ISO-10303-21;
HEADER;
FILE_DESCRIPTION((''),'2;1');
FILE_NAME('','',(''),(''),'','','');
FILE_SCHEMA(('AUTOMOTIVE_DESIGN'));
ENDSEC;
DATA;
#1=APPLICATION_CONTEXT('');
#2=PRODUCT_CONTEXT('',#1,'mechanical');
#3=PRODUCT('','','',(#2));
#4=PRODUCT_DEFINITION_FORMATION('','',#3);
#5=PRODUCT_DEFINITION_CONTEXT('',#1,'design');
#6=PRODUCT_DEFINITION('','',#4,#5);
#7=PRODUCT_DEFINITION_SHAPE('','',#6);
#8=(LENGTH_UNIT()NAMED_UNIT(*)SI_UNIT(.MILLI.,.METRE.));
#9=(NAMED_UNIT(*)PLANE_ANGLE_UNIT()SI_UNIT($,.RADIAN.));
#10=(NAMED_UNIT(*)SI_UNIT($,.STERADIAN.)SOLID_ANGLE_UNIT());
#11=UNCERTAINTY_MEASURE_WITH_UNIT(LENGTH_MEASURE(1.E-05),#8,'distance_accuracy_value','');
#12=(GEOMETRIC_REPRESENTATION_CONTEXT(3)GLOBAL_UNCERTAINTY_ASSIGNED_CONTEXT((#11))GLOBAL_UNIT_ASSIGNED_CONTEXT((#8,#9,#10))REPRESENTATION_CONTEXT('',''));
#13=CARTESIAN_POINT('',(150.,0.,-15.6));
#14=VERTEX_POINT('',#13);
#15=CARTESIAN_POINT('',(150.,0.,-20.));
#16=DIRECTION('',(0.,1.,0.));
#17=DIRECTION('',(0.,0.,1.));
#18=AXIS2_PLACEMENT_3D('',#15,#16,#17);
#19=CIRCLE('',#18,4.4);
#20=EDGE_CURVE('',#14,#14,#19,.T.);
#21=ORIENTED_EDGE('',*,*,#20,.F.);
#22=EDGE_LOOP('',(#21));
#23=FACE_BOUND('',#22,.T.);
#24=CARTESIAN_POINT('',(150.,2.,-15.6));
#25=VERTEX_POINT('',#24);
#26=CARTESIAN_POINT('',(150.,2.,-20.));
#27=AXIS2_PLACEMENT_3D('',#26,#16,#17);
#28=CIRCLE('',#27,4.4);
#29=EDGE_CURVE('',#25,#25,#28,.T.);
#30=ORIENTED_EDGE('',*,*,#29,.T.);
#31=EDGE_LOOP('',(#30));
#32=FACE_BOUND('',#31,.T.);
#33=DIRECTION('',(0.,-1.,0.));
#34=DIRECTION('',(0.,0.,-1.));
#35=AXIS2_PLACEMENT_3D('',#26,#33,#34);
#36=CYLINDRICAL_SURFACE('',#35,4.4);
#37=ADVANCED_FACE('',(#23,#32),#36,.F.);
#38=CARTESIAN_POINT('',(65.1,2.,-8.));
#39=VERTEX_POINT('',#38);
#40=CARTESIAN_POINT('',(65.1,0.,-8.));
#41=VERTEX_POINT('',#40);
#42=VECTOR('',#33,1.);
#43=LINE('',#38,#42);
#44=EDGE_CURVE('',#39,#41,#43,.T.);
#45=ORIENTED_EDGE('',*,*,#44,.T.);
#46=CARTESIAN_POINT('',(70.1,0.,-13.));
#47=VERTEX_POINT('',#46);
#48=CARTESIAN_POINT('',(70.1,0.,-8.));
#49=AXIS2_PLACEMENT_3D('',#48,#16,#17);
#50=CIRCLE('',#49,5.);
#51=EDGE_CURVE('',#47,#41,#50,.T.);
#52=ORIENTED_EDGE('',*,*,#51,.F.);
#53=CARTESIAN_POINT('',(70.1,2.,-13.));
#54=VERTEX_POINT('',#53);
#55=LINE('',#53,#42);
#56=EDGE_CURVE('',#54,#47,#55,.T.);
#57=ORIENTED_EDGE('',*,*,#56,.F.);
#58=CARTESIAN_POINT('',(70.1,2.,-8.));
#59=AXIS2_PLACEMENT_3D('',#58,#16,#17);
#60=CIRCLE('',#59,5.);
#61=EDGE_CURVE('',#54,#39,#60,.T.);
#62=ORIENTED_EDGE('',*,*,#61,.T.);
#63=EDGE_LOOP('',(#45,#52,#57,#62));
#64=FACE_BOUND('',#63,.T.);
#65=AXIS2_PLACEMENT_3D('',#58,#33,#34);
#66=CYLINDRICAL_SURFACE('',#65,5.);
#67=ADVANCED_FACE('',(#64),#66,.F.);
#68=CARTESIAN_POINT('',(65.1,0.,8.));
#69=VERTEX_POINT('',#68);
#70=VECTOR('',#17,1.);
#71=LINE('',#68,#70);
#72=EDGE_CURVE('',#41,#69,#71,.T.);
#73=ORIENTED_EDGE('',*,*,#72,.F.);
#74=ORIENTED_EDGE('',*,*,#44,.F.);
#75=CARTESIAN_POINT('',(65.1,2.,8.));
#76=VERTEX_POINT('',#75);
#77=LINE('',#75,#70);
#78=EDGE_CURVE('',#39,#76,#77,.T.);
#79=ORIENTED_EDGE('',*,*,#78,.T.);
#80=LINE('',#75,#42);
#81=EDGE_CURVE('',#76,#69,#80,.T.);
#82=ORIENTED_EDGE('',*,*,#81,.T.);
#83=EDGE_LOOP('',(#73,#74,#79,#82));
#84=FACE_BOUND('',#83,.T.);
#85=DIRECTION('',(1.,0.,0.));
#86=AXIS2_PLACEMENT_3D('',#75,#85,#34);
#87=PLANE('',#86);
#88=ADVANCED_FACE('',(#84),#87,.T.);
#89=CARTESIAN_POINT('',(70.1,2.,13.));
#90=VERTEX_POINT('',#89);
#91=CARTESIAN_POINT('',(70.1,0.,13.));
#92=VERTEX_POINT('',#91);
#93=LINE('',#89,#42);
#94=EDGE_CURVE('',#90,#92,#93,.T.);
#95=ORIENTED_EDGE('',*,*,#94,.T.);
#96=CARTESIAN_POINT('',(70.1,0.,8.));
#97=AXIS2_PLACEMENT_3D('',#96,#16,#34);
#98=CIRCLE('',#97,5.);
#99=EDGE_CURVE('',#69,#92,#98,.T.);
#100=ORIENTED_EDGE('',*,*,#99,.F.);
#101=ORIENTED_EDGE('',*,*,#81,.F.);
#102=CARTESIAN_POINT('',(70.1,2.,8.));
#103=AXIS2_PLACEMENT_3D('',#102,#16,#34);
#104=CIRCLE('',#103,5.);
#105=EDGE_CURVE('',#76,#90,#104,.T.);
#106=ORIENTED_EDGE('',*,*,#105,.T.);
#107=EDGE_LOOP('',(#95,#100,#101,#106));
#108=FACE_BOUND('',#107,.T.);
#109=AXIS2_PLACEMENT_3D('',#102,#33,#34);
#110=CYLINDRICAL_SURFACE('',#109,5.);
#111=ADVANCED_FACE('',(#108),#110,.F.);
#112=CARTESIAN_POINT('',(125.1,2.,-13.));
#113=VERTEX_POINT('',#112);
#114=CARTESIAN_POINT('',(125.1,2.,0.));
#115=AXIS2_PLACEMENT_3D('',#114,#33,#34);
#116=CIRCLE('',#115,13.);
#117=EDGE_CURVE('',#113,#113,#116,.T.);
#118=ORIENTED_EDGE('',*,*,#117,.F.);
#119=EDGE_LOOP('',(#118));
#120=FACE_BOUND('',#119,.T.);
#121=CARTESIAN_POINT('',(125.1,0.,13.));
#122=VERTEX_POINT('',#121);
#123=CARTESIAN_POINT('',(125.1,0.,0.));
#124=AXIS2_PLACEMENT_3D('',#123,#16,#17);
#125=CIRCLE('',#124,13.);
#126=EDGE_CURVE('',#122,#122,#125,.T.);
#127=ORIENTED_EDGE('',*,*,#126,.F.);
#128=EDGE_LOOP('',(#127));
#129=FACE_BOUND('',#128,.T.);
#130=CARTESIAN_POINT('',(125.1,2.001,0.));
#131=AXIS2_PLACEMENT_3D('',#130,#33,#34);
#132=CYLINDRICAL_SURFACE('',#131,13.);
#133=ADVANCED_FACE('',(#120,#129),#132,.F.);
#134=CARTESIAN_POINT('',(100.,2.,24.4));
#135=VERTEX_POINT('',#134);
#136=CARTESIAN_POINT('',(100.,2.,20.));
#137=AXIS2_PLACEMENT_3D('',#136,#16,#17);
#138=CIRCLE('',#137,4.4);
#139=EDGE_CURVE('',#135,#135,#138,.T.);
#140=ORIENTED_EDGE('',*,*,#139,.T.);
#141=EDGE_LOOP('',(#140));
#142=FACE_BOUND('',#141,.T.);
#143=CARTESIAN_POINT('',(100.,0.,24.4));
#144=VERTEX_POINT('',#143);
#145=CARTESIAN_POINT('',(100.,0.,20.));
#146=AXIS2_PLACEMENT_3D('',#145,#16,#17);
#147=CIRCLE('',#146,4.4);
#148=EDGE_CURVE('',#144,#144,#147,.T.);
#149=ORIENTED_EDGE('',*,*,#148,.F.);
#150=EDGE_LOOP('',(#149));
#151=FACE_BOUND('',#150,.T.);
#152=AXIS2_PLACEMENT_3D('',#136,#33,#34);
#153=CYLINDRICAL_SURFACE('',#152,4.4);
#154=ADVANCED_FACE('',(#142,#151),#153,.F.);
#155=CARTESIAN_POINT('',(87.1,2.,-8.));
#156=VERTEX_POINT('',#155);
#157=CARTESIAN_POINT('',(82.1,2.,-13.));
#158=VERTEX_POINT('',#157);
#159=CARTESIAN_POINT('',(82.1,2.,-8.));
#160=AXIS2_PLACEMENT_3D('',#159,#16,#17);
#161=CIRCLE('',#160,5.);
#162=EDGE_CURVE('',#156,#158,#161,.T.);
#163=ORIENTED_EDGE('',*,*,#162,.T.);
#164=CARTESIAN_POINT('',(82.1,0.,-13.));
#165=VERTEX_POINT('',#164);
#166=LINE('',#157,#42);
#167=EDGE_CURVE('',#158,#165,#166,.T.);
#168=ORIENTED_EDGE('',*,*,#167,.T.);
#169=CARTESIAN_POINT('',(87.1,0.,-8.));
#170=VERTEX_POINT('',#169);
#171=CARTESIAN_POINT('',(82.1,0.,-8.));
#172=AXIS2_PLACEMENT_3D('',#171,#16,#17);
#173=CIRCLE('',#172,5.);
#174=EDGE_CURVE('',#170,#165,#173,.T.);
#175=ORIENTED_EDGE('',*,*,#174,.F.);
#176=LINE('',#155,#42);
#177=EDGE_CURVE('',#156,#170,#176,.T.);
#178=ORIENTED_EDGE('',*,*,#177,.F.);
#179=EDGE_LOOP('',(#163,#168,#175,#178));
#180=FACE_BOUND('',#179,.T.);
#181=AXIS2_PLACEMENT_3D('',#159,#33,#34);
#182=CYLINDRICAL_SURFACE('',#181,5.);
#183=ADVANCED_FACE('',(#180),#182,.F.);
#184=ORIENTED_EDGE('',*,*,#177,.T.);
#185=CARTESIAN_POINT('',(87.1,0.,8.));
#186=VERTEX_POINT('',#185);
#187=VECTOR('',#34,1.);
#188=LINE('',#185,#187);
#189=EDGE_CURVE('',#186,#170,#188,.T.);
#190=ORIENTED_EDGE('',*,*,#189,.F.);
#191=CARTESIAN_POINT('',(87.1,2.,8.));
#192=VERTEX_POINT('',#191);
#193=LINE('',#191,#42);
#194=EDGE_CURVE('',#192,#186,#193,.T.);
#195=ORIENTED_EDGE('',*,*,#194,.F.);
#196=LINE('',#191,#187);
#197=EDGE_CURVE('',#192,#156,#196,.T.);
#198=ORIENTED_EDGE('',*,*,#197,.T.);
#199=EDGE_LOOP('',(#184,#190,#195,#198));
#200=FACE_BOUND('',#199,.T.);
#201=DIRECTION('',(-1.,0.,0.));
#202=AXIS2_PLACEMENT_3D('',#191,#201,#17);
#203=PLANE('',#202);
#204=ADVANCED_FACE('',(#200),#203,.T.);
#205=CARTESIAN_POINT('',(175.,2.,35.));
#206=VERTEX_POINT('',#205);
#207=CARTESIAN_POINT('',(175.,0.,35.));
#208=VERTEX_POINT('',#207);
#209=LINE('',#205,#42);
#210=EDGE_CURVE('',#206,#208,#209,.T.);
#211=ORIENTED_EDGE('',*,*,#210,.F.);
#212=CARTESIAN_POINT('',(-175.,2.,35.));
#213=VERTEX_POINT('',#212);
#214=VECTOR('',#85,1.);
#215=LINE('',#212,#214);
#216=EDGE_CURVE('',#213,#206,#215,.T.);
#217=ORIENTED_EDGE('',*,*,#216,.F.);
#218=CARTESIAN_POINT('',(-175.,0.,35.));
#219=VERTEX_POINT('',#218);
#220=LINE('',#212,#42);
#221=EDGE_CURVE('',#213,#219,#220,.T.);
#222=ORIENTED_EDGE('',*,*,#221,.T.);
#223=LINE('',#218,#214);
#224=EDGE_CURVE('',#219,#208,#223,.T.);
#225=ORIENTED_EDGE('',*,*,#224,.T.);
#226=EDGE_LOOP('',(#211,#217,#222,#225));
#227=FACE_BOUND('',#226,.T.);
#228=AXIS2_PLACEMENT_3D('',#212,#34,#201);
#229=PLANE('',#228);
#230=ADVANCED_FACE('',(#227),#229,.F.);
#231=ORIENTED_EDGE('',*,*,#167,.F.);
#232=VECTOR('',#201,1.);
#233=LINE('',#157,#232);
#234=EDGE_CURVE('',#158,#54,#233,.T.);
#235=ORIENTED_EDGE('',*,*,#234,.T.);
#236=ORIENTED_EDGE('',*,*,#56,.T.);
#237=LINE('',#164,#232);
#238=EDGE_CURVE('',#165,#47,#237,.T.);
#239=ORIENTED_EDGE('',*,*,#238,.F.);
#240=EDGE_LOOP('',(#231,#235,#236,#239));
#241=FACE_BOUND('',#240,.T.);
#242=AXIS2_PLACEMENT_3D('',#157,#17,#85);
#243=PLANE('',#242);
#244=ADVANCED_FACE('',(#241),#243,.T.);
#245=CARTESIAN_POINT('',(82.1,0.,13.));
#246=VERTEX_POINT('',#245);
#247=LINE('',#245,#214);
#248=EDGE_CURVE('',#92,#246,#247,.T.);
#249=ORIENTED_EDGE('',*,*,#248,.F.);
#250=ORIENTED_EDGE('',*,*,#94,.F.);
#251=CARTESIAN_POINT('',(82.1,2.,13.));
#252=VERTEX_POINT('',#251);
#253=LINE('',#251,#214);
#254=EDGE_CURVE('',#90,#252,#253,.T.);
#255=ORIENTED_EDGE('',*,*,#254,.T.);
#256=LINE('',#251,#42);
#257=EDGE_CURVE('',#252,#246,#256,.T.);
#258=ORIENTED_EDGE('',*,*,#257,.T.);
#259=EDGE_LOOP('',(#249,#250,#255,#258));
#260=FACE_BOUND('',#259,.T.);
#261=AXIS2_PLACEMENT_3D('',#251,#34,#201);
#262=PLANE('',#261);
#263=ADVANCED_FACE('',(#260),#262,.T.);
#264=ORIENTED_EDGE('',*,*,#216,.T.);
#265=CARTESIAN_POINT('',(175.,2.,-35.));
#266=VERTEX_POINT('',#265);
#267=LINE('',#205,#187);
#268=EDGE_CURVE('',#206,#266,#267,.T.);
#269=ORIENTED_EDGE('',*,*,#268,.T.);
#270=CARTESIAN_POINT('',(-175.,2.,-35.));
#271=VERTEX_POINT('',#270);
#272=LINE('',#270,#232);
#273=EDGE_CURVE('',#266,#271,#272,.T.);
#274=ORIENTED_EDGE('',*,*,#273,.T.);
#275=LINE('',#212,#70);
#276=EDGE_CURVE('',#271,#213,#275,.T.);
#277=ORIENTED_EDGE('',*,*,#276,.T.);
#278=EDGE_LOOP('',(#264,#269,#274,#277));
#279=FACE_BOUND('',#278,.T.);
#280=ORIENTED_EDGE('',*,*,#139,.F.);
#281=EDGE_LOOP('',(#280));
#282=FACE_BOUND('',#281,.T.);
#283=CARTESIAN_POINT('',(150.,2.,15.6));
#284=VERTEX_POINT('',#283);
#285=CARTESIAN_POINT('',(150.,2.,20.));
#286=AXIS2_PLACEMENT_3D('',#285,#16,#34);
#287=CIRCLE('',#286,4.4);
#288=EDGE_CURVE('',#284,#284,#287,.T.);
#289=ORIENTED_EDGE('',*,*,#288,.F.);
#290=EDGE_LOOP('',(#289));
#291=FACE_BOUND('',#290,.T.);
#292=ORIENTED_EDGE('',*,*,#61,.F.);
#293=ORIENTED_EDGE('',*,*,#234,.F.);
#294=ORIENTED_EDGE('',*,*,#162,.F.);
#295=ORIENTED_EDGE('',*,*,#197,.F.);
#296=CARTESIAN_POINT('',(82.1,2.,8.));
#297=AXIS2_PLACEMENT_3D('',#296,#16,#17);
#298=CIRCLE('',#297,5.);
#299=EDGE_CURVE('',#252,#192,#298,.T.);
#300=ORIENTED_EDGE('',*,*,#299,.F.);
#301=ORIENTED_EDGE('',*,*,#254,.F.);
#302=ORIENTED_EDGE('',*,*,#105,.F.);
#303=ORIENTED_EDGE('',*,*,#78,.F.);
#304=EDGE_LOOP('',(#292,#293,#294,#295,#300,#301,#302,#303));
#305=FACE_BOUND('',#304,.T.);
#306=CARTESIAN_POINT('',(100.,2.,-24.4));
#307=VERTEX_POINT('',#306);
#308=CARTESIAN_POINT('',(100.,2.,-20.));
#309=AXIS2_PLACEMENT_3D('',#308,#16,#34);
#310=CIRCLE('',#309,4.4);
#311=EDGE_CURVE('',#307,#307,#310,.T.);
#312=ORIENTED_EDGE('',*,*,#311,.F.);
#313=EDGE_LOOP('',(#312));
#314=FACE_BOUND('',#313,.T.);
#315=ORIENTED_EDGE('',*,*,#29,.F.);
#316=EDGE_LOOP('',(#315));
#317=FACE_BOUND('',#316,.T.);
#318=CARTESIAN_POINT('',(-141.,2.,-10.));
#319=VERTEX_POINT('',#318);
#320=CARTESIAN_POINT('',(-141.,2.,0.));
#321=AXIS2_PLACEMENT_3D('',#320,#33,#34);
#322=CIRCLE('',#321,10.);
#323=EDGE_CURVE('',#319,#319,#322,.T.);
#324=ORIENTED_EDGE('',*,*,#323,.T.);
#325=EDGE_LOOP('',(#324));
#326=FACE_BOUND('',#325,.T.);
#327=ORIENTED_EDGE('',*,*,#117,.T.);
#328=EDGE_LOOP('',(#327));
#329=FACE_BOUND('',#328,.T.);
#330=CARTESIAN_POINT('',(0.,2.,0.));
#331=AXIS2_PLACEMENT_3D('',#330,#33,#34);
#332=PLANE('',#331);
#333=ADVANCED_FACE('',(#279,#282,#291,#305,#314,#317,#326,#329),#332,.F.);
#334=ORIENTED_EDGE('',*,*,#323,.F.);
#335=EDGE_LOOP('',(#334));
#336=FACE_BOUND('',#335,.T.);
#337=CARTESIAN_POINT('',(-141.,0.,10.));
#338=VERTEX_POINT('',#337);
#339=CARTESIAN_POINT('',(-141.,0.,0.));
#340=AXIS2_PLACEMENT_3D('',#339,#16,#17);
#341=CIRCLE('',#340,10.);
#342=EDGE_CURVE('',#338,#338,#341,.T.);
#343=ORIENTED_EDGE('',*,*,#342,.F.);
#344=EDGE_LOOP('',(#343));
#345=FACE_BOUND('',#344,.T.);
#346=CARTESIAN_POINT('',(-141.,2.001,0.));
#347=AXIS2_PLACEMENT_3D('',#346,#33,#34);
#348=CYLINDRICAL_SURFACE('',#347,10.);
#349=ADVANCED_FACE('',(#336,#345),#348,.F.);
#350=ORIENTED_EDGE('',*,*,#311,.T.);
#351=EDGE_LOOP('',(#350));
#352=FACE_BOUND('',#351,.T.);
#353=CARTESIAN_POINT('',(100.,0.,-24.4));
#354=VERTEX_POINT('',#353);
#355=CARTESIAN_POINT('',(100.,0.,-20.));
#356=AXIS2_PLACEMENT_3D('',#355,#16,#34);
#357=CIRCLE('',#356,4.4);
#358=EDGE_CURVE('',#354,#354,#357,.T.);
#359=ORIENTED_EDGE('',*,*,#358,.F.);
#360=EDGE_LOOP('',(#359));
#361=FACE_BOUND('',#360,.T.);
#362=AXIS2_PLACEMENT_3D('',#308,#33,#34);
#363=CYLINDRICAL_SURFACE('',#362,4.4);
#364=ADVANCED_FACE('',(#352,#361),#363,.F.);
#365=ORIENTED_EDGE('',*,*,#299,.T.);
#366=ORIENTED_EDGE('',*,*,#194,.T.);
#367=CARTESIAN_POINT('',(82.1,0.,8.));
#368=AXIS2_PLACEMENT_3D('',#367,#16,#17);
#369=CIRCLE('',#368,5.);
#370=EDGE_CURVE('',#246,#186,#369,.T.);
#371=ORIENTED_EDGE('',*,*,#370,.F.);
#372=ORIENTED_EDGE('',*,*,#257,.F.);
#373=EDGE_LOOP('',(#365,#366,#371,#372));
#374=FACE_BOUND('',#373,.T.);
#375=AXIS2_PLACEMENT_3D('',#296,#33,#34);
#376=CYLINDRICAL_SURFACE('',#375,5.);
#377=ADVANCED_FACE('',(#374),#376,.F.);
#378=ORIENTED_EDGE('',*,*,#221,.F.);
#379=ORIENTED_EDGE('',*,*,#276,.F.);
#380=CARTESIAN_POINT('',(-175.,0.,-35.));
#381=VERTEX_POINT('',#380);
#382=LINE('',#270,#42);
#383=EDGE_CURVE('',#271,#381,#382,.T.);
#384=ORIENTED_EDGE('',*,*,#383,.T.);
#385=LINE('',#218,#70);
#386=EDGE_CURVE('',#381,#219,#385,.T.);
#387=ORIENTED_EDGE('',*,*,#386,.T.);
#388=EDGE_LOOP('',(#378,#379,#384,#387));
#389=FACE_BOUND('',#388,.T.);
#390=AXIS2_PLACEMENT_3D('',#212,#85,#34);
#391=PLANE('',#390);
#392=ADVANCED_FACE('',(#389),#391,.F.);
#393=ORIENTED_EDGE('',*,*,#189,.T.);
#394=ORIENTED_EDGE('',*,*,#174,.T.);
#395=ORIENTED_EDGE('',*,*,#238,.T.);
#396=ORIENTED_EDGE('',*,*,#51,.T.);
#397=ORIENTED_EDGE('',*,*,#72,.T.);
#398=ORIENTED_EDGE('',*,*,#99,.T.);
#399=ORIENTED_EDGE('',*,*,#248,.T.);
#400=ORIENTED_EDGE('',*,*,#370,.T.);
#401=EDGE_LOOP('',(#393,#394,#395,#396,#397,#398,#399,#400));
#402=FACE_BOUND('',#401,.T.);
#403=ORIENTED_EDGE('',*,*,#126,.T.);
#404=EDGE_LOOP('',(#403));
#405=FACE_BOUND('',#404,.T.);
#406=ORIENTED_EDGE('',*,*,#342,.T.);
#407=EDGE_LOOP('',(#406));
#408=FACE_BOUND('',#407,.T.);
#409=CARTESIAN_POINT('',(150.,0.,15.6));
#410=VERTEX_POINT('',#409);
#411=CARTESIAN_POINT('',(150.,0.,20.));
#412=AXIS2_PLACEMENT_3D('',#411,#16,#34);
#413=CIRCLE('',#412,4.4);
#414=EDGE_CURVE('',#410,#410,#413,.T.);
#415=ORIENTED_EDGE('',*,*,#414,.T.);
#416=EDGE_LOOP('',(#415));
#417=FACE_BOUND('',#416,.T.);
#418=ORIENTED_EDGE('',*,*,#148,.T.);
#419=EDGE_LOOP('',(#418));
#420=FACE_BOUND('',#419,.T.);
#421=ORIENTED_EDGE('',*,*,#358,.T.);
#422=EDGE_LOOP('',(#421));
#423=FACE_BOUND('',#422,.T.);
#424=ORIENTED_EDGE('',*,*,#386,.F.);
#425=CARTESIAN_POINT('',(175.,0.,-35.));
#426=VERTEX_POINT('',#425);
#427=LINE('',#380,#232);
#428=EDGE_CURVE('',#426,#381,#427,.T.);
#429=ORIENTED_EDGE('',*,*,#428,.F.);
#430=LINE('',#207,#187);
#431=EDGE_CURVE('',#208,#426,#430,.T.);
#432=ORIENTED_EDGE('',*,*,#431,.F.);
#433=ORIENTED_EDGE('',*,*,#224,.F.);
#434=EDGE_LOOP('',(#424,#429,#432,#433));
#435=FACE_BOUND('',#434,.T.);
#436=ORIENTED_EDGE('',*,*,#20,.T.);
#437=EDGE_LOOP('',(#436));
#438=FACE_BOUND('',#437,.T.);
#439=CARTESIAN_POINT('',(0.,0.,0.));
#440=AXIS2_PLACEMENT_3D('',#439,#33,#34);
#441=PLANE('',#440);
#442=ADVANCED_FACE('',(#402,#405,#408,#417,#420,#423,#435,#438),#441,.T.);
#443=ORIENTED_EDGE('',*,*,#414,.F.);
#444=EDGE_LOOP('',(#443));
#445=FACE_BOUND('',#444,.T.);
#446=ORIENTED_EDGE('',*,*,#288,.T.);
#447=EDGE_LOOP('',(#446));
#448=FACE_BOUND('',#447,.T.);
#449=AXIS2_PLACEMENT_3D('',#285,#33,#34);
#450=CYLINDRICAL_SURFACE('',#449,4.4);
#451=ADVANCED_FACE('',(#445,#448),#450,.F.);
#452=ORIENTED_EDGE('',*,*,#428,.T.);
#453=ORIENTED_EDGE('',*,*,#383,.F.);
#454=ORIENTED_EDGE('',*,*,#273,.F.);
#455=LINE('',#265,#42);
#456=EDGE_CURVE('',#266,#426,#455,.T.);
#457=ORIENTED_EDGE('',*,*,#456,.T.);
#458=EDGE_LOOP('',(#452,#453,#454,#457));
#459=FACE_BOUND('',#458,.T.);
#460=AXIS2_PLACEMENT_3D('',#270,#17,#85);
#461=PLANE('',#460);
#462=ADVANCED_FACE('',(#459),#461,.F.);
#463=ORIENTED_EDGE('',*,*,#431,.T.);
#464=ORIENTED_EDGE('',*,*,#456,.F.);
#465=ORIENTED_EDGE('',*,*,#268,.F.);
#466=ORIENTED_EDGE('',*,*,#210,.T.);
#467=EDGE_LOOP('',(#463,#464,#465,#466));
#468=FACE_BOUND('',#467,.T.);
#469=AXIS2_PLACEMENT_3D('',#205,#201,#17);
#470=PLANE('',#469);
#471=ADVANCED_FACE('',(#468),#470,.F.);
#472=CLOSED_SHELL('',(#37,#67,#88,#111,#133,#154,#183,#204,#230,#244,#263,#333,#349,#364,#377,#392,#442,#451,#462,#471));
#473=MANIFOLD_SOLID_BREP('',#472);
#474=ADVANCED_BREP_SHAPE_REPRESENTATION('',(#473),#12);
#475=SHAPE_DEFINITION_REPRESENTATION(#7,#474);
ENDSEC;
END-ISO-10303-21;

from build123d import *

# Parameters (mm, degrees)
SKETCH1_W           = 350
SKETCH1_H           = 70
SKETCH1_R           = 4.4
BOSS_EXTRUDE1_DEPTH = 2
CUT_EXTRUDE1_REACH  = 180.477
SKETCH2_R           = 13
CUT_EXTRUDE2_REACH  = 180.477
SKETCH3_R           = 10


with BuildPart() as part:
    # Sketch1 → Boss-Extrude1 (new body)
    with BuildSketch(Plane(origin=(0, 0, 0), x_dir=(1, 0, 0), z_dir=(0, 1, 0))):
        Rectangle(SKETCH1_W, SKETCH1_H)
        with Locations(Location((150, 20, 0), (0, 0, 270))):
            Circle(SKETCH1_R, mode=Mode.SUBTRACT)
        with Locations(Location((150, -20, 0), (0, 0, 90))):
            Circle(SKETCH1_R, mode=Mode.SUBTRACT)
        with Locations(Location((100, -20, 0), (0, 0, 270))):
            Circle(SKETCH1_R, mode=Mode.SUBTRACT)
        with Locations(Location((100, 20, 0), (0, 0, 90))):
            Circle(SKETCH1_R, mode=Mode.SUBTRACT)
        with BuildLine():
            Line((82.1, -13), (70.1, -13))
            ThreePointArc((70.1, -13), (66.564466094, -11.535533906), (65.1, -8))
            Line((65.1, -8), (65.1, 8))
            ThreePointArc((65.1, 8), (66.564466094, 11.535533906), (70.1, 13))
            Line((70.1, 13), (82.1, 13))
            ThreePointArc((82.1, 13), (85.635533906, 11.535533906), (87.1, 8))
            Line((87.1, 8), (87.1, -8))
            ThreePointArc((87.1, -8), (85.635533906, -11.535533906), (82.1, -13))
        make_face(mode=Mode.SUBTRACT)
    extrude(amount=BOSS_EXTRUDE1_DEPTH)

    # Sketch2 → Cut-Extrude1 (cut, up to next)
    with BuildSketch(Plane(origin=(0, 0, 0), x_dir=(1, 0, 0), z_dir=(0, 1, 0)), mode=Mode.PRIVATE) as cut_extrude1_sk1:
        with Locations(Location((125.1, 0, 0), (0, 0, 90))):
            Circle(SKETCH2_R)
    cut_extrude1_tool1 = extrude(cut_extrude1_sk1.sketch, amount=CUT_EXTRUDE1_REACH, mode=Mode.PRIVATE) & part.part
    add(cut_extrude1_tool1.solids().sort_by_distance((125.1, 0, 0))[0], mode=Mode.SUBTRACT)

    # Sketch3 → Cut-Extrude2 (cut, up to next)
    with BuildSketch(Plane(origin=(0, 0, 0), x_dir=(1, 0, 0), z_dir=(0, 1, 0)), mode=Mode.PRIVATE) as cut_extrude2_sk1:
        with Locations(Location((-141, 0, 0), (0, 0, 90))):
            Circle(SKETCH3_R)
    cut_extrude2_tool1 = extrude(cut_extrude2_sk1.sketch, amount=CUT_EXTRUDE2_REACH, mode=Mode.PRIVATE) & part.part
    add(cut_extrude2_tool1.solids().sort_by_distance((-141, 0, 0))[0], mode=Mode.SUBTRACT)


solid = part.part
